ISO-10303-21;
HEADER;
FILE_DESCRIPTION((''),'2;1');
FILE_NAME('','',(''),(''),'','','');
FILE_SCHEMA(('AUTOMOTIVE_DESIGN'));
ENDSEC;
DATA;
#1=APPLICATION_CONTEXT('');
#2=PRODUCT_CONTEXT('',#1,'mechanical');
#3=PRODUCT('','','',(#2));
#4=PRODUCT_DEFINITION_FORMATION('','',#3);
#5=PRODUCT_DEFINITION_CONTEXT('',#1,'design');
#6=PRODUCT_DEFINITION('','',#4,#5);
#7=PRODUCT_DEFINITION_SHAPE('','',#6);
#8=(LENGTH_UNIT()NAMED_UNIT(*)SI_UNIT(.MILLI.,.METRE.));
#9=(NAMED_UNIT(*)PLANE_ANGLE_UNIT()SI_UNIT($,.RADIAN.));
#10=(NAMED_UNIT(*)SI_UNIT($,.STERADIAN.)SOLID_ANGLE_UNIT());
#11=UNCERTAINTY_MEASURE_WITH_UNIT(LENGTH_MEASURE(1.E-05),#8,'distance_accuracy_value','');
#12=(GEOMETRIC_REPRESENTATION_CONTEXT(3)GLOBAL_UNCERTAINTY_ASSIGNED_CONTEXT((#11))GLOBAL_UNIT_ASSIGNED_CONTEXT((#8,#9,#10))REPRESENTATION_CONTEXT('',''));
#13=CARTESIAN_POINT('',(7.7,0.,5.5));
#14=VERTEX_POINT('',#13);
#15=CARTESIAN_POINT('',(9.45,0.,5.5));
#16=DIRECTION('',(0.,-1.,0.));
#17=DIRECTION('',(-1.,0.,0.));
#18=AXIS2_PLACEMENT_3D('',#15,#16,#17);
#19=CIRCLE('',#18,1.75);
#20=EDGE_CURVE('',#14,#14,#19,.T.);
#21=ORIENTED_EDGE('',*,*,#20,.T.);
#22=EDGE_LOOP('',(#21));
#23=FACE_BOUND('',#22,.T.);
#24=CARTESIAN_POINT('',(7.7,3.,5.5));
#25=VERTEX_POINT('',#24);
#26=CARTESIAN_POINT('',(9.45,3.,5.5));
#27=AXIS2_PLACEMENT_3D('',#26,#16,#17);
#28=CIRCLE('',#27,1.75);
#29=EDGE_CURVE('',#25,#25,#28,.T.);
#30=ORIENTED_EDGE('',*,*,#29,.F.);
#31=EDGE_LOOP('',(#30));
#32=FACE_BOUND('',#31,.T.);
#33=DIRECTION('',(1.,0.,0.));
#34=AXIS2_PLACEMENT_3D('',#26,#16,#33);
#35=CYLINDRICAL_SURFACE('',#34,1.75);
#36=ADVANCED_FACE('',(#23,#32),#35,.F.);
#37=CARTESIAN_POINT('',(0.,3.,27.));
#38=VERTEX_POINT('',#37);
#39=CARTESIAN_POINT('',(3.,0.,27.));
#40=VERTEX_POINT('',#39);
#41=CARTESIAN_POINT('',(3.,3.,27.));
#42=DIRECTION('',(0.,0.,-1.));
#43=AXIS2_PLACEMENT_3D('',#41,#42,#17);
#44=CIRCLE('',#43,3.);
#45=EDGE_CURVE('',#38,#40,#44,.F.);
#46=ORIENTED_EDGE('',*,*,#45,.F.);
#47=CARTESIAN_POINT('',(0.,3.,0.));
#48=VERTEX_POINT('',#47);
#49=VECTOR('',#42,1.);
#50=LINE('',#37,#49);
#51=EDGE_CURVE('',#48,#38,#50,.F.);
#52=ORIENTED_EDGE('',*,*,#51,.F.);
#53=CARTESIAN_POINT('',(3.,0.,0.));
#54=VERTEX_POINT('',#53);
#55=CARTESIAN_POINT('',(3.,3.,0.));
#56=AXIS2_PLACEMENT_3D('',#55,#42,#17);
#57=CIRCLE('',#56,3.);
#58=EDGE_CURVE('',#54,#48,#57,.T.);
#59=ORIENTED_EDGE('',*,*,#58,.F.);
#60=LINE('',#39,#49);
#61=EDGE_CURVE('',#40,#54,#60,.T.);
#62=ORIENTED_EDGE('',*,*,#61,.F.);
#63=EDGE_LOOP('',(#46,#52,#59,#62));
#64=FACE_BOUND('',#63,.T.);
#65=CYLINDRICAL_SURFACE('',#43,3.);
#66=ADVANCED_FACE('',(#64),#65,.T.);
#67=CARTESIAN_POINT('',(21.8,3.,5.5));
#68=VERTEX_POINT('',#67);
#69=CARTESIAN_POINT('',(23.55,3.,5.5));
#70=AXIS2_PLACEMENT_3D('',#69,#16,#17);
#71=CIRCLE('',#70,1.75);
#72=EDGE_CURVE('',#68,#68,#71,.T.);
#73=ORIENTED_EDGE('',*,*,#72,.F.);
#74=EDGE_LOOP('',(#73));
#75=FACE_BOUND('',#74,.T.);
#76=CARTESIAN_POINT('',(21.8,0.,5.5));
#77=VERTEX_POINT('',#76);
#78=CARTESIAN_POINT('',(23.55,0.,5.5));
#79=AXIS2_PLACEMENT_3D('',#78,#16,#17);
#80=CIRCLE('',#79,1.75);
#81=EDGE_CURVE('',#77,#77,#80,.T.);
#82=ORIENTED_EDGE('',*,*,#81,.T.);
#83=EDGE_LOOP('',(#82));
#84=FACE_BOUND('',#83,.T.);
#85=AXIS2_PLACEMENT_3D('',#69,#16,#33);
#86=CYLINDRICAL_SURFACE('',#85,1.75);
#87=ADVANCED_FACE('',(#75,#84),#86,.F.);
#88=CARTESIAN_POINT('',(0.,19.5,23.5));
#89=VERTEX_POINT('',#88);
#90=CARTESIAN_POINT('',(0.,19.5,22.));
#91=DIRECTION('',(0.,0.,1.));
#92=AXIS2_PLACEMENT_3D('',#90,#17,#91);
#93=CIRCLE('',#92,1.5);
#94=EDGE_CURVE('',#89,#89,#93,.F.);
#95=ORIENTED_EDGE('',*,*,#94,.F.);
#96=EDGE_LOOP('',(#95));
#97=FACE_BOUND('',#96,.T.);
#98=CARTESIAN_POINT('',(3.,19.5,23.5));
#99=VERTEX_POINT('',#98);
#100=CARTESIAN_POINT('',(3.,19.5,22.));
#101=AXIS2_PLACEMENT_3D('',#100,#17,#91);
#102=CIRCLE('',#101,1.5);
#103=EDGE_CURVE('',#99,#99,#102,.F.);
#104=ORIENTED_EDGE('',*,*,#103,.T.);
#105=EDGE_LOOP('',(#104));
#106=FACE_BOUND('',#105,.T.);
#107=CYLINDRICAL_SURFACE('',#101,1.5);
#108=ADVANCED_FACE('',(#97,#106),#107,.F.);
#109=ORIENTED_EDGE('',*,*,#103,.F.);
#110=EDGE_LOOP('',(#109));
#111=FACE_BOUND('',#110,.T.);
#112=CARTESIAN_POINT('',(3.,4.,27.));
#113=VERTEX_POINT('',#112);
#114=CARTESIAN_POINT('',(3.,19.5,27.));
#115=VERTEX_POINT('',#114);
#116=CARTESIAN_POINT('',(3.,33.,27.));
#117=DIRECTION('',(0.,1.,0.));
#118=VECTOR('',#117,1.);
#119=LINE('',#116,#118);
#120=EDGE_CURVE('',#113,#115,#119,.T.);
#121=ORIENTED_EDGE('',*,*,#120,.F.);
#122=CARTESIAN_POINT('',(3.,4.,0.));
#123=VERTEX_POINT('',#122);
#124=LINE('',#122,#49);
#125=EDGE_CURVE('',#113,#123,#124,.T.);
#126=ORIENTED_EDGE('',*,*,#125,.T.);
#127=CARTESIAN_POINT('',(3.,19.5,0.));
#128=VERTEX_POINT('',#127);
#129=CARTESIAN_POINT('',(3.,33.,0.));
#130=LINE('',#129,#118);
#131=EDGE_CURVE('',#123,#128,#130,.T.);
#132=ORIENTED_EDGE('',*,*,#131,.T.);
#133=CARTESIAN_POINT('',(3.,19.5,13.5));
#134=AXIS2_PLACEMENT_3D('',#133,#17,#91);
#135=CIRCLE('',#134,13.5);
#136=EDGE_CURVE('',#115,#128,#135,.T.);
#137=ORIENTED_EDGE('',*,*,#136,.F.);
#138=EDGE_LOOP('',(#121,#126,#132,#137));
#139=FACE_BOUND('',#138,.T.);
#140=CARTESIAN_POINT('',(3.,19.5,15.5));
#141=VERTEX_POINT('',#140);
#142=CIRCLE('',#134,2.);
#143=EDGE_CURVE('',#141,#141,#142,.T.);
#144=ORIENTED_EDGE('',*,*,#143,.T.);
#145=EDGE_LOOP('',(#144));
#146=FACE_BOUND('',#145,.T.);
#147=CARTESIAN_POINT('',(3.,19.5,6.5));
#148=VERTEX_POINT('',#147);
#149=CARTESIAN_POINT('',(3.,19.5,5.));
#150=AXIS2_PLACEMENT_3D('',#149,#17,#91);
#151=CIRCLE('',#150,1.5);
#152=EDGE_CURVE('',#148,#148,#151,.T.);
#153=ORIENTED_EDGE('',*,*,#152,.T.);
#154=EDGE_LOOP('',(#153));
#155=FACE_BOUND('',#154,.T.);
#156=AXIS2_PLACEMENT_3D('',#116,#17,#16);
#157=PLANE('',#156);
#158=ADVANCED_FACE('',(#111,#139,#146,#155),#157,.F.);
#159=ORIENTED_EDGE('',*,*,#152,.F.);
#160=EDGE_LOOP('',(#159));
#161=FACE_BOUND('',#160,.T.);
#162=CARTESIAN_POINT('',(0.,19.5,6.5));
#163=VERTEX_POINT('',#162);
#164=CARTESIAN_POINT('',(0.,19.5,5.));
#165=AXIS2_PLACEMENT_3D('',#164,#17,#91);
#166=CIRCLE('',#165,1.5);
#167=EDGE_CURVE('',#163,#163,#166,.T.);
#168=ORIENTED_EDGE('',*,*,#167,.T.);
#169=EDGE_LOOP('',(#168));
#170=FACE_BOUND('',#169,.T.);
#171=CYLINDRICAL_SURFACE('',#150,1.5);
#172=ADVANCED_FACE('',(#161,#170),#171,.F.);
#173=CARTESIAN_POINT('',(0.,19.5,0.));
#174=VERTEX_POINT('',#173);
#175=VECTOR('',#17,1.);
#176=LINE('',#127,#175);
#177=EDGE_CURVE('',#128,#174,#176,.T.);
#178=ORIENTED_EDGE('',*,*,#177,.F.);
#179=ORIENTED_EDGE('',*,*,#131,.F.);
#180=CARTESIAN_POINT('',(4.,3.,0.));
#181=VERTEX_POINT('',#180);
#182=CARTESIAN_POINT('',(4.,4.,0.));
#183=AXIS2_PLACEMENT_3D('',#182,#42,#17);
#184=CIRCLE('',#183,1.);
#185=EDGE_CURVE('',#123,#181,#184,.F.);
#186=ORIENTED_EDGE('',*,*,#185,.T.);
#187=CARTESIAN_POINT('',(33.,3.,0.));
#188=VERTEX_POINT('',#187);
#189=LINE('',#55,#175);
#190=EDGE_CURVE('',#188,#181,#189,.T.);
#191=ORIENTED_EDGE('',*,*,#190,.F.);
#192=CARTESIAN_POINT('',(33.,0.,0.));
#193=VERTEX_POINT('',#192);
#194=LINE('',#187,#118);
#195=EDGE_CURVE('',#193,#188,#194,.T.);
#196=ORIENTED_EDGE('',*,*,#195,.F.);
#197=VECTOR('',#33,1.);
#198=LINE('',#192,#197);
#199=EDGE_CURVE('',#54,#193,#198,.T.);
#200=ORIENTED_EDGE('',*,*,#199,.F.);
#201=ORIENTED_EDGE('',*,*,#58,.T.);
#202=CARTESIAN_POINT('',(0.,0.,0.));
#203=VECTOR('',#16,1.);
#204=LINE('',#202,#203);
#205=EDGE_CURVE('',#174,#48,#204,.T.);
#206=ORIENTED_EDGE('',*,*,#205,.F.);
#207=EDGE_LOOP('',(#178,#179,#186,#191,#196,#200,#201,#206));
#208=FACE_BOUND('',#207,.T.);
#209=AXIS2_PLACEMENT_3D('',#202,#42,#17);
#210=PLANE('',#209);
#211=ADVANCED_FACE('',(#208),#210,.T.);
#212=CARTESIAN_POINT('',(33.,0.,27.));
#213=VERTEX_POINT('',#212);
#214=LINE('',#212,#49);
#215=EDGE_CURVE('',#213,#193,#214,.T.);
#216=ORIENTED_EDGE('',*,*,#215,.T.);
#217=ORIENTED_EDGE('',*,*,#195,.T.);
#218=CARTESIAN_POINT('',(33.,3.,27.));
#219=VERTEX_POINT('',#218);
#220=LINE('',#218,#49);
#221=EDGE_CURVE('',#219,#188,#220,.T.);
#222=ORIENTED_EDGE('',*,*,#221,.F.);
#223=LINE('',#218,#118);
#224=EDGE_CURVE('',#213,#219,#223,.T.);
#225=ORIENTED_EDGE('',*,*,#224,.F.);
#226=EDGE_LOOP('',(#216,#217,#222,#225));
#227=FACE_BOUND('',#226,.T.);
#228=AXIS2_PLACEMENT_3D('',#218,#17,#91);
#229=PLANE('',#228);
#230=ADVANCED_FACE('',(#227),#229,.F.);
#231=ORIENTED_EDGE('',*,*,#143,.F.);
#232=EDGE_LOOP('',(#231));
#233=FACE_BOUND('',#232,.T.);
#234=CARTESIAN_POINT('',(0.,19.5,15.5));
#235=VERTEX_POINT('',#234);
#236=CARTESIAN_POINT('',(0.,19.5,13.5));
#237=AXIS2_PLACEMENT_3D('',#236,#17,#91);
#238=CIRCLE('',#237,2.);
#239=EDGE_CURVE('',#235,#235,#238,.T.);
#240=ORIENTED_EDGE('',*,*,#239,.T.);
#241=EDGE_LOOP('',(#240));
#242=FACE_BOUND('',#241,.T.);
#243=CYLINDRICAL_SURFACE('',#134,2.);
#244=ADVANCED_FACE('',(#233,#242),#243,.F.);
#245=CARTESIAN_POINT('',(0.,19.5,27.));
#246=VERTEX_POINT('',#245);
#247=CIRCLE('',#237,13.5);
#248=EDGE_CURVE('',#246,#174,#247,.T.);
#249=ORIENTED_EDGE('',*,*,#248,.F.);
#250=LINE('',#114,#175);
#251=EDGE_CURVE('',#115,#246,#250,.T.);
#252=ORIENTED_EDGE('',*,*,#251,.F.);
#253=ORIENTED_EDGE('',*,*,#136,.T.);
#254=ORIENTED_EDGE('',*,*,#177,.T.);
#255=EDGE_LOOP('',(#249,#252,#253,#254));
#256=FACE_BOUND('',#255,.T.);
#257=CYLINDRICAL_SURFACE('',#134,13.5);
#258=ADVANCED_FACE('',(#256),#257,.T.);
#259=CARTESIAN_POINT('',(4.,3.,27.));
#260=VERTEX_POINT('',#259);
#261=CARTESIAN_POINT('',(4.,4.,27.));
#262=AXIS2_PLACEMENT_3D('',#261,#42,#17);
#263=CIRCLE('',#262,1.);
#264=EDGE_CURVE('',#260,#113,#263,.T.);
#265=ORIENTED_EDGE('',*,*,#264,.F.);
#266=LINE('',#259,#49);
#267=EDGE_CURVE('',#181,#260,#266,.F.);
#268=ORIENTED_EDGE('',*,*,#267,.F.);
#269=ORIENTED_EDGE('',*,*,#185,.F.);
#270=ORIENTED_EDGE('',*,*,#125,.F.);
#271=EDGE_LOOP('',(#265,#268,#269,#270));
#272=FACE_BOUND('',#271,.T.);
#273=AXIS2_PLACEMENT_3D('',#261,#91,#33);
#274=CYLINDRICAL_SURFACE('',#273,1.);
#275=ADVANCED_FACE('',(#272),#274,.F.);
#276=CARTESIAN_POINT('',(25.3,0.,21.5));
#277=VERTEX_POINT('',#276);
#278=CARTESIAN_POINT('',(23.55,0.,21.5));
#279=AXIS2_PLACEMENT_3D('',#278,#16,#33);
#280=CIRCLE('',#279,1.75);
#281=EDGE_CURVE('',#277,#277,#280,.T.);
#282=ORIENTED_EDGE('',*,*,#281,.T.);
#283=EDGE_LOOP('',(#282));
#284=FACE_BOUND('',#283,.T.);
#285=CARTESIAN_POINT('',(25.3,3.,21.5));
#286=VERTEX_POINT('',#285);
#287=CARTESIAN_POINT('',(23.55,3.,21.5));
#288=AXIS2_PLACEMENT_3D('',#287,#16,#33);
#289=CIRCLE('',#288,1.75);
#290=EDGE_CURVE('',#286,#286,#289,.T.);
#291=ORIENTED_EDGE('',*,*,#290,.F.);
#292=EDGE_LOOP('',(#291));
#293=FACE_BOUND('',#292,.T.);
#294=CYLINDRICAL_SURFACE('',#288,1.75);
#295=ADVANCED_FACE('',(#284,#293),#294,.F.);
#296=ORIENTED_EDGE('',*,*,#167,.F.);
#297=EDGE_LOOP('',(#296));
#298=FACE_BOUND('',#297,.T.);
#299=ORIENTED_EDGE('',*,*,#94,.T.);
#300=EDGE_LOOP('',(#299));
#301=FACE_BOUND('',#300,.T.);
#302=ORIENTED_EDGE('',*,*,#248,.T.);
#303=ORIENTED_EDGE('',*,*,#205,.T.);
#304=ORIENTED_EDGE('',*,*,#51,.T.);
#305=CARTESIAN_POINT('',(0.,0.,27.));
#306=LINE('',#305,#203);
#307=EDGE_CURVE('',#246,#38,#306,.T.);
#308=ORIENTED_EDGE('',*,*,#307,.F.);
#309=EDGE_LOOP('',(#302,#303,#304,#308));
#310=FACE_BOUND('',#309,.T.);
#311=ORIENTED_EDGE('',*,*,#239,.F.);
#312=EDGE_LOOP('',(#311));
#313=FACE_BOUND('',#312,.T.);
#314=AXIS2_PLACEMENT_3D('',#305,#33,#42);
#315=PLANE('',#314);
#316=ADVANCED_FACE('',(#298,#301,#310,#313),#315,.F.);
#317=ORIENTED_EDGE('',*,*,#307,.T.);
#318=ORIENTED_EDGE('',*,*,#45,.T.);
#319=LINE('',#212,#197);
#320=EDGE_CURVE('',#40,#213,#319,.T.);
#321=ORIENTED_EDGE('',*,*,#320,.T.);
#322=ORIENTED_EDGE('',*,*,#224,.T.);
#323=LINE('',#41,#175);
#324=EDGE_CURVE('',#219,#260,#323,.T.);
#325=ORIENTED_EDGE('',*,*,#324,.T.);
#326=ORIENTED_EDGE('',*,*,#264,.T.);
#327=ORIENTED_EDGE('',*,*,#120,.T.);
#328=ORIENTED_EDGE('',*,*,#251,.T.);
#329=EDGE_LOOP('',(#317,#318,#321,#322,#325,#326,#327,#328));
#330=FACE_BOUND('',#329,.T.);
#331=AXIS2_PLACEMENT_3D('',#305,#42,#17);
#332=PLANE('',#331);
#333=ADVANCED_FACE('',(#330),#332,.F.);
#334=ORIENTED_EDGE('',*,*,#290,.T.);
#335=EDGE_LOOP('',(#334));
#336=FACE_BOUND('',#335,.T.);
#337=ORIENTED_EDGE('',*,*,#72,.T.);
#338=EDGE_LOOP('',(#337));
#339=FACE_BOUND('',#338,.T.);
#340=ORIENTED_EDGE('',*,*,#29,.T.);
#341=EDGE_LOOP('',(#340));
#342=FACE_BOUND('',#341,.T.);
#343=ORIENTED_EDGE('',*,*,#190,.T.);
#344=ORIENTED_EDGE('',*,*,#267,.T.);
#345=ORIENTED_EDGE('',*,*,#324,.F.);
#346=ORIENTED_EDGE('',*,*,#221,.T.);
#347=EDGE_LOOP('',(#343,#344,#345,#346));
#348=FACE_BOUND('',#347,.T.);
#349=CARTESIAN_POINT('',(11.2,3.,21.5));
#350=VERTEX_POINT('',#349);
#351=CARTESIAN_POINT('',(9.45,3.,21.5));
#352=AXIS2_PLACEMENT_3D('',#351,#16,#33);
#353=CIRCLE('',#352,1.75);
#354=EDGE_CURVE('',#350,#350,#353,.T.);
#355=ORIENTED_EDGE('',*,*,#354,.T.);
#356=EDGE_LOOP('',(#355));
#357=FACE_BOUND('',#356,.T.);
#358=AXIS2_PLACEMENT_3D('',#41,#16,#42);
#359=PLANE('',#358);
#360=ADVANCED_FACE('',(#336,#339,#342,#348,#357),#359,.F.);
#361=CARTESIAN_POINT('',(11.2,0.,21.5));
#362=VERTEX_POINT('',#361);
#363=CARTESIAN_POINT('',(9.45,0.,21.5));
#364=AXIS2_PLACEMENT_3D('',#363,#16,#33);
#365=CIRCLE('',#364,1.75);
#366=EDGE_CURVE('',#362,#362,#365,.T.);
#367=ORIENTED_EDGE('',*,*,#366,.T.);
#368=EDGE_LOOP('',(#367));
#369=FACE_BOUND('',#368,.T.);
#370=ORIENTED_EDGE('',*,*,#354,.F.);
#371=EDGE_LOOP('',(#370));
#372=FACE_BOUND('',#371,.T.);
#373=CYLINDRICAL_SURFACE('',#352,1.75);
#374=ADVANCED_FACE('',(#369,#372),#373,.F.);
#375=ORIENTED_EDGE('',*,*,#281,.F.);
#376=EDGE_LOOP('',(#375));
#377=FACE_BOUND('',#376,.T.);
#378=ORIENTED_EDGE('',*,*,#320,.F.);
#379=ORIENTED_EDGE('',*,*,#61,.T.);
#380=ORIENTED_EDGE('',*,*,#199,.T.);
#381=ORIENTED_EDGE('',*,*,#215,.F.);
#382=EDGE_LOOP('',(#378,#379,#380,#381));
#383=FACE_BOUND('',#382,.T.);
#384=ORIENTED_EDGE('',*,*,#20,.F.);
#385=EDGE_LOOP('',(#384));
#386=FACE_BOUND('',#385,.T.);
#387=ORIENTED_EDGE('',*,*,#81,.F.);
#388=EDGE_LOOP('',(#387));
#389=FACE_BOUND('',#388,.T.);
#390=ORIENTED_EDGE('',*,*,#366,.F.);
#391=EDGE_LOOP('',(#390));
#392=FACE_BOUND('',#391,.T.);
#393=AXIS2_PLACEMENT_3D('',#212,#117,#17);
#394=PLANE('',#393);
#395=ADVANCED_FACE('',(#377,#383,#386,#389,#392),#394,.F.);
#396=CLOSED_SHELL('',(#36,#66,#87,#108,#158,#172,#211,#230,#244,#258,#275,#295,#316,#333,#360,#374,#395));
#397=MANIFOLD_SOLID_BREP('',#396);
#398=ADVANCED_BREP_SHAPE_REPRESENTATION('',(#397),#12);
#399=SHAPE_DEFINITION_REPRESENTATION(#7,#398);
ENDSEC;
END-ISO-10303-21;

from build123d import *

# Parameters (mm, degrees)
P_IDAT_VYSUNUT_M1_DEPTH  = 27
ZAOBLIT1_R               = 1
SKICA2_R                 = 1.75
ODEBRAT_VYSUNUT_M1_DEPTH = 3
ZAOBLIT2_R               = 3
ODEBRAT_VYSUNUT_M2_DEPTH = 3
SKICA3_3_R               = 1.5
ODEBRAT_VYSUNUT_M3_DEPTH = 3
SKICA3_4_R               = 2
ODEBRAT_VYSUNUT_M4_DEPTH = 3


with BuildPart() as part:
    # Skica1 → Přidat vysunutím1 (new body)
    with BuildSketch(Plane.XY):
        Polygon((0, 0), (0, 33), (3, 33), (3, 3), (33, 3), (33, 0), align=None)
    extrude(amount=P_IDAT_VYSUNUT_M1_DEPTH)

    # Zaoblit1
    zaoblit1_edges = [part.edges().sort_by_distance(p)[0] for p in [
        (3, 3, 13.5),
    ]]
    fillet(zaoblit1_edges, radius=ZAOBLIT1_R)

    # Skica2 → Odebrat vysunutím1 (cut)
    with BuildSketch(Plane.XZ):
        with Locations((9.45, 21.5)):
            Circle(SKICA2_R)
        with Locations((23.55, 21.5)):
            Circle(SKICA2_R)
        with Locations((23.55, 5.5)):
            Circle(SKICA2_R)
        with Locations((9.45, 5.5)):
            Circle(SKICA2_R)
    extrude(amount=-ODEBRAT_VYSUNUT_M1_DEPTH, mode=Mode.SUBTRACT)

    # Zaoblit2
    zaoblit2_edges = [part.edges().sort_by_distance(p)[0] for p in [
        (0, 0, 13.5),
    ]]
    fillet(zaoblit2_edges, radius=ZAOBLIT2_R)

    # Skica3 → Odebrat vysunutím2 (cut)
    with BuildSketch(Plane.ZY):
        with BuildLine():
            Line((27, 33), (13.5, 33))
            ThreePointArc((13.5, 33), (23.045941546, 29.045941546), (27, 19.5))
            Line((27, 19.5), (27, 33))
        make_face()
        with BuildLine():
            Line((0, 33), (0, 19.5))
            ThreePointArc((0, 19.5), (3.954058454, 29.045941546), (13.5, 33))
            Line((13.5, 33), (0, 33))
        make_face()
    extrude(amount=-ODEBRAT_VYSUNUT_M2_DEPTH, mode=Mode.SUBTRACT)

    # Skica3<3> → Odebrat vysunutím3 (cut)
    with BuildSketch(Plane.ZY):
        with Locations((5, 19.5)):
            Circle(SKICA3_3_R)
        with Locations((22, 19.5)):
            Circle(SKICA3_3_R)
    extrude(amount=-ODEBRAT_VYSUNUT_M3_DEPTH, mode=Mode.SUBTRACT)

    # Skica3<4> → Odebrat vysunutím4 (cut)
    with BuildSketch(Plane.ZY):
        with Locations((13.5, 19.5)):
            Circle(SKICA3_4_R)
    extrude(amount=-ODEBRAT_VYSUNUT_M4_DEPTH, mode=Mode.SUBTRACT)


solid = part.part
